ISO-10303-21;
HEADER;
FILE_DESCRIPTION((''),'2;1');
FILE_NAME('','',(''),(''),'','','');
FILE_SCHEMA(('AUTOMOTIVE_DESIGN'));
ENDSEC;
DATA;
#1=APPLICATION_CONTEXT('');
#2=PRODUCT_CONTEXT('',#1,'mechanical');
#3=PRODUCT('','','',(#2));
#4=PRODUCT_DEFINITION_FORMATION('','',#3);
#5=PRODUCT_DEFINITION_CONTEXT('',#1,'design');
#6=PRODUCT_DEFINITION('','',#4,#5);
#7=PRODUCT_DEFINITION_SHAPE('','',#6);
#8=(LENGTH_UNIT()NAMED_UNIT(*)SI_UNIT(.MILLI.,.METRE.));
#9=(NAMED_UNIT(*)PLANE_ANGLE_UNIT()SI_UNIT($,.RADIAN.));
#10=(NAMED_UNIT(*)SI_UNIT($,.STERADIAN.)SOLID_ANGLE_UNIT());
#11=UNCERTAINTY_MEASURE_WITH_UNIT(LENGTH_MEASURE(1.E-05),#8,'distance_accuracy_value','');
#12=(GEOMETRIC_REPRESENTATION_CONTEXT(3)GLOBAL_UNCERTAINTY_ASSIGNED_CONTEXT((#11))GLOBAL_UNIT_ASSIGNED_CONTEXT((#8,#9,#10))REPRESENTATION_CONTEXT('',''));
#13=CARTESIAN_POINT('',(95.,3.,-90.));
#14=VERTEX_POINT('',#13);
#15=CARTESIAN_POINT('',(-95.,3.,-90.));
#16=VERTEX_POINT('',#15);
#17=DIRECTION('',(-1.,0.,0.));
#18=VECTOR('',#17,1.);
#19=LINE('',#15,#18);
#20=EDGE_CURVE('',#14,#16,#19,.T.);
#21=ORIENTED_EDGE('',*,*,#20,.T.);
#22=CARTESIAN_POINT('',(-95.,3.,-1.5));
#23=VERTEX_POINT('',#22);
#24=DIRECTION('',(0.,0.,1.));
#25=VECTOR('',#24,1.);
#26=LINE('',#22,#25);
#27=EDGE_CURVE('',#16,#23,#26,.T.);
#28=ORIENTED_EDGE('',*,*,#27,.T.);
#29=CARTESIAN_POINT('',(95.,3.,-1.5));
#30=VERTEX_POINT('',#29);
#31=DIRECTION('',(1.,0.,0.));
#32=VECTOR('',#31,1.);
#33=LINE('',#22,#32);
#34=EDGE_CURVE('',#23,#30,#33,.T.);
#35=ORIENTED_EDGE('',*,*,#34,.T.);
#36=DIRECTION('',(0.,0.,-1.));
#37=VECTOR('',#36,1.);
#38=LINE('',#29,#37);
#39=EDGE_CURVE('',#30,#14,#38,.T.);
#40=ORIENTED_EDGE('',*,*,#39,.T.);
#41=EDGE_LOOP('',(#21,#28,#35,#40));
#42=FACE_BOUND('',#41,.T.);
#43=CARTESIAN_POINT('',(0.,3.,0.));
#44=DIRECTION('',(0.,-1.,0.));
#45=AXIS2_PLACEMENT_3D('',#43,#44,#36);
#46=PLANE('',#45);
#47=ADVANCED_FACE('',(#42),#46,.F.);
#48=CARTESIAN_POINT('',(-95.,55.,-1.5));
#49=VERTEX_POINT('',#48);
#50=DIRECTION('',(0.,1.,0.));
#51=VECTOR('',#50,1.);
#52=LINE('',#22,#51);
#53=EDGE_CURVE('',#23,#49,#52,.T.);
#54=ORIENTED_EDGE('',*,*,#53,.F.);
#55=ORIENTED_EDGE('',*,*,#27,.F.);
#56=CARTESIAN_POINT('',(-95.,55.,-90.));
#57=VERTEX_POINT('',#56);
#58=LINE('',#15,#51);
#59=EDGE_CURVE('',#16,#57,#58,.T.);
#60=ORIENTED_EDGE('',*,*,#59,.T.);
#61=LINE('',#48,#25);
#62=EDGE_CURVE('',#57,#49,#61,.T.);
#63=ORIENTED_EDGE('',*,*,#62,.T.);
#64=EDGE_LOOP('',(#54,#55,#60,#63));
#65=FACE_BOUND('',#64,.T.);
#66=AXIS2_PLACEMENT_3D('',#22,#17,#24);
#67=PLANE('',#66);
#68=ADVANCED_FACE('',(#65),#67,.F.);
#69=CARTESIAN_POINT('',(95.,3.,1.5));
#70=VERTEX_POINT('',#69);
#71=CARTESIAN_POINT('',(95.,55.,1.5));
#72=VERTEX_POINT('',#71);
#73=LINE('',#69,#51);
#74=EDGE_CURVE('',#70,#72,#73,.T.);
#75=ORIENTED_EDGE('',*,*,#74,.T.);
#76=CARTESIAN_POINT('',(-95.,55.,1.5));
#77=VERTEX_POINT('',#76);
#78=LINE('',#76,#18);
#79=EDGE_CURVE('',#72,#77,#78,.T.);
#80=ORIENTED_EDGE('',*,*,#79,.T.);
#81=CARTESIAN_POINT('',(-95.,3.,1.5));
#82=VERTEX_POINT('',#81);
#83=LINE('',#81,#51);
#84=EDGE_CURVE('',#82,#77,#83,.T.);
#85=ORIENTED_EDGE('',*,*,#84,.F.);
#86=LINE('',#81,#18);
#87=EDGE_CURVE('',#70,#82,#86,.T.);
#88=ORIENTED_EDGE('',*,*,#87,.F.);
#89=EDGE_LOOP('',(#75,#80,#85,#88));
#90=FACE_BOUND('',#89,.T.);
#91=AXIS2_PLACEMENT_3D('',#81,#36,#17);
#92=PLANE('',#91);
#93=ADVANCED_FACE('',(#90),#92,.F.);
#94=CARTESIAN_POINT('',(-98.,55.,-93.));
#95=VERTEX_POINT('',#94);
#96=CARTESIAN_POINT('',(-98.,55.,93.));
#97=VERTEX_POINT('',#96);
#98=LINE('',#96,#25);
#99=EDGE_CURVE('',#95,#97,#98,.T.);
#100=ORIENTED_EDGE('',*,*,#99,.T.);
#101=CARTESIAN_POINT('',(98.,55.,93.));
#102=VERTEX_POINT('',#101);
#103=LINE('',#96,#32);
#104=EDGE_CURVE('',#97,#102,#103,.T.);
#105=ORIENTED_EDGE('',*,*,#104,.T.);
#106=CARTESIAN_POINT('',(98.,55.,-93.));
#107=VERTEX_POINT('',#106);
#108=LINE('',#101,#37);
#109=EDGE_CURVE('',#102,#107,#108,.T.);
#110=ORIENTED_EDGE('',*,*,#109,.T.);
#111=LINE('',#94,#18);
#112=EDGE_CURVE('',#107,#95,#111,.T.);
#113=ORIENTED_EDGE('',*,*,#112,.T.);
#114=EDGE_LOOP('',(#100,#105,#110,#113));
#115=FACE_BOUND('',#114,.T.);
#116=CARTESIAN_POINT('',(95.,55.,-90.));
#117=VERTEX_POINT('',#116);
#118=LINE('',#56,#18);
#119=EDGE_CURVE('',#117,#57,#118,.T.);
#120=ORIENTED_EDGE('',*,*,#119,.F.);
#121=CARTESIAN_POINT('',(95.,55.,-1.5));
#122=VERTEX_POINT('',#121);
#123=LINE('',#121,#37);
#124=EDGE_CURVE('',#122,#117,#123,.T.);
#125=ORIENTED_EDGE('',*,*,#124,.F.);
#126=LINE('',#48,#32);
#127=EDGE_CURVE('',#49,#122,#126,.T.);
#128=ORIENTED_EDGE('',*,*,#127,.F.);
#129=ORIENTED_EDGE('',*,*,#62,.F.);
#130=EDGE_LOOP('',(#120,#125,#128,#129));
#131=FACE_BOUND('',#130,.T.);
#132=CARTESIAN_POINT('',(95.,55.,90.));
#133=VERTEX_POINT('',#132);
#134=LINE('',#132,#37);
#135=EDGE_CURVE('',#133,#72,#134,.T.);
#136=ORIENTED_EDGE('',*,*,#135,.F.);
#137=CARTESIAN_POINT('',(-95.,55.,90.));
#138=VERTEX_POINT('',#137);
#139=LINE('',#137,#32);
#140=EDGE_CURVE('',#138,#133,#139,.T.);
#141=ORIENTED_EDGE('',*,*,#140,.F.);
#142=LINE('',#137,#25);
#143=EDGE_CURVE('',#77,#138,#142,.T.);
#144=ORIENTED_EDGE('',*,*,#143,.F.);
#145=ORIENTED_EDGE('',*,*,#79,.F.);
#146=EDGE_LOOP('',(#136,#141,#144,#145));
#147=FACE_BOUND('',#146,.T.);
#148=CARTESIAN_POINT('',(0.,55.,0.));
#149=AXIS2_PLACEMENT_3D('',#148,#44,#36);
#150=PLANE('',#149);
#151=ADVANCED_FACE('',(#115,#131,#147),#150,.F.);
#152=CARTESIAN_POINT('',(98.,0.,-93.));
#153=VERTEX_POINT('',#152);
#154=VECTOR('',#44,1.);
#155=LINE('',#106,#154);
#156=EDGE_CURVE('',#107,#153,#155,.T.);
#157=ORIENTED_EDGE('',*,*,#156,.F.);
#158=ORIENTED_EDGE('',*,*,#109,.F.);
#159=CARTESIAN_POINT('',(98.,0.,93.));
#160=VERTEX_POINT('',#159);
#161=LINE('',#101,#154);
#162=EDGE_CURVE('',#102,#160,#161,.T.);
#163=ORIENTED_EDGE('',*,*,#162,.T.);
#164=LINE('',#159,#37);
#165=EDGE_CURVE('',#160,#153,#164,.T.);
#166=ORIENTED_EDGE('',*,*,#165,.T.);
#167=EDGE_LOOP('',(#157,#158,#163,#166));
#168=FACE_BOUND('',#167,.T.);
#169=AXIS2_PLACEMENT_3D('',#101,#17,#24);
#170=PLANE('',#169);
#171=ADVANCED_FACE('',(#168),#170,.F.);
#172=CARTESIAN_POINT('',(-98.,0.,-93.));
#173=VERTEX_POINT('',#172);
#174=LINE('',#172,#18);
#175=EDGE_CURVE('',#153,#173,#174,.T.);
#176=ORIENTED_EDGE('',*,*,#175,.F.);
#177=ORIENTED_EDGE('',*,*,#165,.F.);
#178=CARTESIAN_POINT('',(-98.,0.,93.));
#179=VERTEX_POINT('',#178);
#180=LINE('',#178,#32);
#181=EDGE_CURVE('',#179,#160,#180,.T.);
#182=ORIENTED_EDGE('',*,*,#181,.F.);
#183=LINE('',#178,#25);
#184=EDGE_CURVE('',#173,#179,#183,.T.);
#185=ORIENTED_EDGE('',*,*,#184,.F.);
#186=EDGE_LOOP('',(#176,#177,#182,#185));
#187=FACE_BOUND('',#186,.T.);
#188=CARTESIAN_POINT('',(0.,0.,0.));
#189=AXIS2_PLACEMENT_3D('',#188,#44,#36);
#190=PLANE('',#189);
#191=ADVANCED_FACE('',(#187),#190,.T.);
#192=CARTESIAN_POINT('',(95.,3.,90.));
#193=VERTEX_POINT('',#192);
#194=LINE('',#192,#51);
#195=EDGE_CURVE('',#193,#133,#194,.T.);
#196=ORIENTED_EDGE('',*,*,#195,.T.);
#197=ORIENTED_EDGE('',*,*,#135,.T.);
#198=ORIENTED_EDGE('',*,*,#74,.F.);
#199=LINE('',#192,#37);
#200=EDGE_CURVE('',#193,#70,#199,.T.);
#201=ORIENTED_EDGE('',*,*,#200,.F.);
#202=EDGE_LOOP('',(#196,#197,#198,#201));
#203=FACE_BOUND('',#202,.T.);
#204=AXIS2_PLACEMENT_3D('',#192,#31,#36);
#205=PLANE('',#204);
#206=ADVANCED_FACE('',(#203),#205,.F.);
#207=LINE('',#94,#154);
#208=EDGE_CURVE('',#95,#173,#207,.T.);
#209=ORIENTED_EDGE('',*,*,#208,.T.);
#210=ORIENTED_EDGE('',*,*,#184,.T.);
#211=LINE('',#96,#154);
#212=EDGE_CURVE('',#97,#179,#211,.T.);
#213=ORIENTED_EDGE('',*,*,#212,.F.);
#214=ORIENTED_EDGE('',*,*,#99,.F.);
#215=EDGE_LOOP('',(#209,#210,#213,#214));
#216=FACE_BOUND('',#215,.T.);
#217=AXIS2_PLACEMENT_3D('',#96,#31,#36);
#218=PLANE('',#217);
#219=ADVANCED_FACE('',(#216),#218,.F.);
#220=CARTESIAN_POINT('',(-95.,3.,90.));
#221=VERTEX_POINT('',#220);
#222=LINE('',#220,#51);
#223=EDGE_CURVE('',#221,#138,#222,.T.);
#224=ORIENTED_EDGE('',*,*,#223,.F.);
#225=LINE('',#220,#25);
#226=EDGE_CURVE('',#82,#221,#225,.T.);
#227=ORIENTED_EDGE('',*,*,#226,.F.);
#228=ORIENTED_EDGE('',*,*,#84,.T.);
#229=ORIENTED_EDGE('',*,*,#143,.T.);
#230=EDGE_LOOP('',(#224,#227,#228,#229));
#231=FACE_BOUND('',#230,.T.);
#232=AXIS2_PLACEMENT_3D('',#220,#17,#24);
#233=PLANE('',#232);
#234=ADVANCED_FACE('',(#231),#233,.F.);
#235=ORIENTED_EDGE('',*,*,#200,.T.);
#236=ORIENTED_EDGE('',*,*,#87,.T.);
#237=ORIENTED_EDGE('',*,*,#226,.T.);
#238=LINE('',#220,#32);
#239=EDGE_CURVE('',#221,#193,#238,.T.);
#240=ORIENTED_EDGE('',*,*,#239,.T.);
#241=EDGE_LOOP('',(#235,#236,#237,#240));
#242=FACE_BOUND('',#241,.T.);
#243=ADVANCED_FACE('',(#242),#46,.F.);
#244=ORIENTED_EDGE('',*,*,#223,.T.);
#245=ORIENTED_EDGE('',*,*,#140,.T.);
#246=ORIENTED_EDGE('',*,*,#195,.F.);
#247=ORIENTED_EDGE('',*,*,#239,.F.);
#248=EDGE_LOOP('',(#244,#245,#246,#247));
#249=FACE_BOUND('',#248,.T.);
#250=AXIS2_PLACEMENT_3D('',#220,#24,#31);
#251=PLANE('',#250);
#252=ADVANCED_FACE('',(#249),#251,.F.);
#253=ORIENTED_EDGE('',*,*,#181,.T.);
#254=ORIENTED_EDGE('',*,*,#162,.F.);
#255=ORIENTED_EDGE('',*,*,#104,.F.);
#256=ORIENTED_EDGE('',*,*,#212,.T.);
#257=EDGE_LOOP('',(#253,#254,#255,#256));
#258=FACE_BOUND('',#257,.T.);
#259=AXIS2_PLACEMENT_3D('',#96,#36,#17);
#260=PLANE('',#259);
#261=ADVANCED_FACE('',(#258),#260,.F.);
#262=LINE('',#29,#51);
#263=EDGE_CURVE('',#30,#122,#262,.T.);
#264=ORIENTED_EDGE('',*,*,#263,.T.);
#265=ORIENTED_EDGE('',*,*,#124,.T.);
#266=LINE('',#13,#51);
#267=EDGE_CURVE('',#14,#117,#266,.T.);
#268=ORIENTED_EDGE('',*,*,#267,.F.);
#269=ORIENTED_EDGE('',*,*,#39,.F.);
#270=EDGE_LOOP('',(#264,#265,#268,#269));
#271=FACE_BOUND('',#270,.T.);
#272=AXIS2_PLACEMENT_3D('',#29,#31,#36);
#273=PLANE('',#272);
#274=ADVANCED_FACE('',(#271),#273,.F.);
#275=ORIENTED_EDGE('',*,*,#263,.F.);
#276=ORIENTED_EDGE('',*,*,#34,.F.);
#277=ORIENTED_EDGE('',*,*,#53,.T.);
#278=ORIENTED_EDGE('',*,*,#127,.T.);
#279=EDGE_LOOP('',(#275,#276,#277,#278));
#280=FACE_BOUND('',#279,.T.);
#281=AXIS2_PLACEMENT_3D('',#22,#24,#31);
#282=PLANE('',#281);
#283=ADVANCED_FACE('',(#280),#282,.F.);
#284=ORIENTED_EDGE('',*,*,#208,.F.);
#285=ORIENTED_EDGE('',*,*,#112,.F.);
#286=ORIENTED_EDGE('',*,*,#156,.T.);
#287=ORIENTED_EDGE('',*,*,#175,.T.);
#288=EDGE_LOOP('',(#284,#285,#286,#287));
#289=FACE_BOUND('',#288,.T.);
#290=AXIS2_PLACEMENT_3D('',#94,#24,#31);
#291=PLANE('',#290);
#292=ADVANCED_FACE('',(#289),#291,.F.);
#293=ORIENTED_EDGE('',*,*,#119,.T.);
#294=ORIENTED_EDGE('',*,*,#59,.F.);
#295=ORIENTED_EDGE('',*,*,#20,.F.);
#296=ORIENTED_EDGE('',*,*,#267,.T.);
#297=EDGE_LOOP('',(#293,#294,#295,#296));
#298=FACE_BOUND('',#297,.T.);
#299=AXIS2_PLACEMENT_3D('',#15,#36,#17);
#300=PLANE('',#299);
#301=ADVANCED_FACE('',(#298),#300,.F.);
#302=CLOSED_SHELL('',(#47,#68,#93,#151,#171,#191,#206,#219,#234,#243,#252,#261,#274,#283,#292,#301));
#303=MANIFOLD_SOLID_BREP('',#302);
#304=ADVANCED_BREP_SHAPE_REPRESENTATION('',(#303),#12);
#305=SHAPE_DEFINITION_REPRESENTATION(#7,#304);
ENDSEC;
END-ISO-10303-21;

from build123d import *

# Parameters (mm, degrees)
SKETCH1_W           = 196
SKETCH1_H           = 186
BOSS_EXTRUDE1_DEPTH = 55
SKETCH2_W           = 190
SKETCH2_H           = 88.5
CUT_EXTRUDE1_DEPTH  = 52


with BuildPart() as part:
    # Sketch1 → Boss-Extrude1 (new body)
    with BuildSketch(Plane(origin=(0, 0, 0), x_dir=(1, 0, 0), z_dir=(0, 1, 0))):
        Rectangle(SKETCH1_W, SKETCH1_H)
    extrude(amount=BOSS_EXTRUDE1_DEPTH)

    # Sketch2 → Cut-Extrude1 (cut)
    with BuildSketch(Plane(origin=(0, 55, 0), x_dir=(1, 0, 0), z_dir=(0, 1, 0))):
        with Locations((0, -45.75)):
            Rectangle(SKETCH2_W, SKETCH2_H)
        with Locations((0, 45.75)):
            Rectangle(SKETCH2_W, SKETCH2_H)
    extrude(amount=-CUT_EXTRUDE1_DEPTH, mode=Mode.SUBTRACT)


solid = part.part
